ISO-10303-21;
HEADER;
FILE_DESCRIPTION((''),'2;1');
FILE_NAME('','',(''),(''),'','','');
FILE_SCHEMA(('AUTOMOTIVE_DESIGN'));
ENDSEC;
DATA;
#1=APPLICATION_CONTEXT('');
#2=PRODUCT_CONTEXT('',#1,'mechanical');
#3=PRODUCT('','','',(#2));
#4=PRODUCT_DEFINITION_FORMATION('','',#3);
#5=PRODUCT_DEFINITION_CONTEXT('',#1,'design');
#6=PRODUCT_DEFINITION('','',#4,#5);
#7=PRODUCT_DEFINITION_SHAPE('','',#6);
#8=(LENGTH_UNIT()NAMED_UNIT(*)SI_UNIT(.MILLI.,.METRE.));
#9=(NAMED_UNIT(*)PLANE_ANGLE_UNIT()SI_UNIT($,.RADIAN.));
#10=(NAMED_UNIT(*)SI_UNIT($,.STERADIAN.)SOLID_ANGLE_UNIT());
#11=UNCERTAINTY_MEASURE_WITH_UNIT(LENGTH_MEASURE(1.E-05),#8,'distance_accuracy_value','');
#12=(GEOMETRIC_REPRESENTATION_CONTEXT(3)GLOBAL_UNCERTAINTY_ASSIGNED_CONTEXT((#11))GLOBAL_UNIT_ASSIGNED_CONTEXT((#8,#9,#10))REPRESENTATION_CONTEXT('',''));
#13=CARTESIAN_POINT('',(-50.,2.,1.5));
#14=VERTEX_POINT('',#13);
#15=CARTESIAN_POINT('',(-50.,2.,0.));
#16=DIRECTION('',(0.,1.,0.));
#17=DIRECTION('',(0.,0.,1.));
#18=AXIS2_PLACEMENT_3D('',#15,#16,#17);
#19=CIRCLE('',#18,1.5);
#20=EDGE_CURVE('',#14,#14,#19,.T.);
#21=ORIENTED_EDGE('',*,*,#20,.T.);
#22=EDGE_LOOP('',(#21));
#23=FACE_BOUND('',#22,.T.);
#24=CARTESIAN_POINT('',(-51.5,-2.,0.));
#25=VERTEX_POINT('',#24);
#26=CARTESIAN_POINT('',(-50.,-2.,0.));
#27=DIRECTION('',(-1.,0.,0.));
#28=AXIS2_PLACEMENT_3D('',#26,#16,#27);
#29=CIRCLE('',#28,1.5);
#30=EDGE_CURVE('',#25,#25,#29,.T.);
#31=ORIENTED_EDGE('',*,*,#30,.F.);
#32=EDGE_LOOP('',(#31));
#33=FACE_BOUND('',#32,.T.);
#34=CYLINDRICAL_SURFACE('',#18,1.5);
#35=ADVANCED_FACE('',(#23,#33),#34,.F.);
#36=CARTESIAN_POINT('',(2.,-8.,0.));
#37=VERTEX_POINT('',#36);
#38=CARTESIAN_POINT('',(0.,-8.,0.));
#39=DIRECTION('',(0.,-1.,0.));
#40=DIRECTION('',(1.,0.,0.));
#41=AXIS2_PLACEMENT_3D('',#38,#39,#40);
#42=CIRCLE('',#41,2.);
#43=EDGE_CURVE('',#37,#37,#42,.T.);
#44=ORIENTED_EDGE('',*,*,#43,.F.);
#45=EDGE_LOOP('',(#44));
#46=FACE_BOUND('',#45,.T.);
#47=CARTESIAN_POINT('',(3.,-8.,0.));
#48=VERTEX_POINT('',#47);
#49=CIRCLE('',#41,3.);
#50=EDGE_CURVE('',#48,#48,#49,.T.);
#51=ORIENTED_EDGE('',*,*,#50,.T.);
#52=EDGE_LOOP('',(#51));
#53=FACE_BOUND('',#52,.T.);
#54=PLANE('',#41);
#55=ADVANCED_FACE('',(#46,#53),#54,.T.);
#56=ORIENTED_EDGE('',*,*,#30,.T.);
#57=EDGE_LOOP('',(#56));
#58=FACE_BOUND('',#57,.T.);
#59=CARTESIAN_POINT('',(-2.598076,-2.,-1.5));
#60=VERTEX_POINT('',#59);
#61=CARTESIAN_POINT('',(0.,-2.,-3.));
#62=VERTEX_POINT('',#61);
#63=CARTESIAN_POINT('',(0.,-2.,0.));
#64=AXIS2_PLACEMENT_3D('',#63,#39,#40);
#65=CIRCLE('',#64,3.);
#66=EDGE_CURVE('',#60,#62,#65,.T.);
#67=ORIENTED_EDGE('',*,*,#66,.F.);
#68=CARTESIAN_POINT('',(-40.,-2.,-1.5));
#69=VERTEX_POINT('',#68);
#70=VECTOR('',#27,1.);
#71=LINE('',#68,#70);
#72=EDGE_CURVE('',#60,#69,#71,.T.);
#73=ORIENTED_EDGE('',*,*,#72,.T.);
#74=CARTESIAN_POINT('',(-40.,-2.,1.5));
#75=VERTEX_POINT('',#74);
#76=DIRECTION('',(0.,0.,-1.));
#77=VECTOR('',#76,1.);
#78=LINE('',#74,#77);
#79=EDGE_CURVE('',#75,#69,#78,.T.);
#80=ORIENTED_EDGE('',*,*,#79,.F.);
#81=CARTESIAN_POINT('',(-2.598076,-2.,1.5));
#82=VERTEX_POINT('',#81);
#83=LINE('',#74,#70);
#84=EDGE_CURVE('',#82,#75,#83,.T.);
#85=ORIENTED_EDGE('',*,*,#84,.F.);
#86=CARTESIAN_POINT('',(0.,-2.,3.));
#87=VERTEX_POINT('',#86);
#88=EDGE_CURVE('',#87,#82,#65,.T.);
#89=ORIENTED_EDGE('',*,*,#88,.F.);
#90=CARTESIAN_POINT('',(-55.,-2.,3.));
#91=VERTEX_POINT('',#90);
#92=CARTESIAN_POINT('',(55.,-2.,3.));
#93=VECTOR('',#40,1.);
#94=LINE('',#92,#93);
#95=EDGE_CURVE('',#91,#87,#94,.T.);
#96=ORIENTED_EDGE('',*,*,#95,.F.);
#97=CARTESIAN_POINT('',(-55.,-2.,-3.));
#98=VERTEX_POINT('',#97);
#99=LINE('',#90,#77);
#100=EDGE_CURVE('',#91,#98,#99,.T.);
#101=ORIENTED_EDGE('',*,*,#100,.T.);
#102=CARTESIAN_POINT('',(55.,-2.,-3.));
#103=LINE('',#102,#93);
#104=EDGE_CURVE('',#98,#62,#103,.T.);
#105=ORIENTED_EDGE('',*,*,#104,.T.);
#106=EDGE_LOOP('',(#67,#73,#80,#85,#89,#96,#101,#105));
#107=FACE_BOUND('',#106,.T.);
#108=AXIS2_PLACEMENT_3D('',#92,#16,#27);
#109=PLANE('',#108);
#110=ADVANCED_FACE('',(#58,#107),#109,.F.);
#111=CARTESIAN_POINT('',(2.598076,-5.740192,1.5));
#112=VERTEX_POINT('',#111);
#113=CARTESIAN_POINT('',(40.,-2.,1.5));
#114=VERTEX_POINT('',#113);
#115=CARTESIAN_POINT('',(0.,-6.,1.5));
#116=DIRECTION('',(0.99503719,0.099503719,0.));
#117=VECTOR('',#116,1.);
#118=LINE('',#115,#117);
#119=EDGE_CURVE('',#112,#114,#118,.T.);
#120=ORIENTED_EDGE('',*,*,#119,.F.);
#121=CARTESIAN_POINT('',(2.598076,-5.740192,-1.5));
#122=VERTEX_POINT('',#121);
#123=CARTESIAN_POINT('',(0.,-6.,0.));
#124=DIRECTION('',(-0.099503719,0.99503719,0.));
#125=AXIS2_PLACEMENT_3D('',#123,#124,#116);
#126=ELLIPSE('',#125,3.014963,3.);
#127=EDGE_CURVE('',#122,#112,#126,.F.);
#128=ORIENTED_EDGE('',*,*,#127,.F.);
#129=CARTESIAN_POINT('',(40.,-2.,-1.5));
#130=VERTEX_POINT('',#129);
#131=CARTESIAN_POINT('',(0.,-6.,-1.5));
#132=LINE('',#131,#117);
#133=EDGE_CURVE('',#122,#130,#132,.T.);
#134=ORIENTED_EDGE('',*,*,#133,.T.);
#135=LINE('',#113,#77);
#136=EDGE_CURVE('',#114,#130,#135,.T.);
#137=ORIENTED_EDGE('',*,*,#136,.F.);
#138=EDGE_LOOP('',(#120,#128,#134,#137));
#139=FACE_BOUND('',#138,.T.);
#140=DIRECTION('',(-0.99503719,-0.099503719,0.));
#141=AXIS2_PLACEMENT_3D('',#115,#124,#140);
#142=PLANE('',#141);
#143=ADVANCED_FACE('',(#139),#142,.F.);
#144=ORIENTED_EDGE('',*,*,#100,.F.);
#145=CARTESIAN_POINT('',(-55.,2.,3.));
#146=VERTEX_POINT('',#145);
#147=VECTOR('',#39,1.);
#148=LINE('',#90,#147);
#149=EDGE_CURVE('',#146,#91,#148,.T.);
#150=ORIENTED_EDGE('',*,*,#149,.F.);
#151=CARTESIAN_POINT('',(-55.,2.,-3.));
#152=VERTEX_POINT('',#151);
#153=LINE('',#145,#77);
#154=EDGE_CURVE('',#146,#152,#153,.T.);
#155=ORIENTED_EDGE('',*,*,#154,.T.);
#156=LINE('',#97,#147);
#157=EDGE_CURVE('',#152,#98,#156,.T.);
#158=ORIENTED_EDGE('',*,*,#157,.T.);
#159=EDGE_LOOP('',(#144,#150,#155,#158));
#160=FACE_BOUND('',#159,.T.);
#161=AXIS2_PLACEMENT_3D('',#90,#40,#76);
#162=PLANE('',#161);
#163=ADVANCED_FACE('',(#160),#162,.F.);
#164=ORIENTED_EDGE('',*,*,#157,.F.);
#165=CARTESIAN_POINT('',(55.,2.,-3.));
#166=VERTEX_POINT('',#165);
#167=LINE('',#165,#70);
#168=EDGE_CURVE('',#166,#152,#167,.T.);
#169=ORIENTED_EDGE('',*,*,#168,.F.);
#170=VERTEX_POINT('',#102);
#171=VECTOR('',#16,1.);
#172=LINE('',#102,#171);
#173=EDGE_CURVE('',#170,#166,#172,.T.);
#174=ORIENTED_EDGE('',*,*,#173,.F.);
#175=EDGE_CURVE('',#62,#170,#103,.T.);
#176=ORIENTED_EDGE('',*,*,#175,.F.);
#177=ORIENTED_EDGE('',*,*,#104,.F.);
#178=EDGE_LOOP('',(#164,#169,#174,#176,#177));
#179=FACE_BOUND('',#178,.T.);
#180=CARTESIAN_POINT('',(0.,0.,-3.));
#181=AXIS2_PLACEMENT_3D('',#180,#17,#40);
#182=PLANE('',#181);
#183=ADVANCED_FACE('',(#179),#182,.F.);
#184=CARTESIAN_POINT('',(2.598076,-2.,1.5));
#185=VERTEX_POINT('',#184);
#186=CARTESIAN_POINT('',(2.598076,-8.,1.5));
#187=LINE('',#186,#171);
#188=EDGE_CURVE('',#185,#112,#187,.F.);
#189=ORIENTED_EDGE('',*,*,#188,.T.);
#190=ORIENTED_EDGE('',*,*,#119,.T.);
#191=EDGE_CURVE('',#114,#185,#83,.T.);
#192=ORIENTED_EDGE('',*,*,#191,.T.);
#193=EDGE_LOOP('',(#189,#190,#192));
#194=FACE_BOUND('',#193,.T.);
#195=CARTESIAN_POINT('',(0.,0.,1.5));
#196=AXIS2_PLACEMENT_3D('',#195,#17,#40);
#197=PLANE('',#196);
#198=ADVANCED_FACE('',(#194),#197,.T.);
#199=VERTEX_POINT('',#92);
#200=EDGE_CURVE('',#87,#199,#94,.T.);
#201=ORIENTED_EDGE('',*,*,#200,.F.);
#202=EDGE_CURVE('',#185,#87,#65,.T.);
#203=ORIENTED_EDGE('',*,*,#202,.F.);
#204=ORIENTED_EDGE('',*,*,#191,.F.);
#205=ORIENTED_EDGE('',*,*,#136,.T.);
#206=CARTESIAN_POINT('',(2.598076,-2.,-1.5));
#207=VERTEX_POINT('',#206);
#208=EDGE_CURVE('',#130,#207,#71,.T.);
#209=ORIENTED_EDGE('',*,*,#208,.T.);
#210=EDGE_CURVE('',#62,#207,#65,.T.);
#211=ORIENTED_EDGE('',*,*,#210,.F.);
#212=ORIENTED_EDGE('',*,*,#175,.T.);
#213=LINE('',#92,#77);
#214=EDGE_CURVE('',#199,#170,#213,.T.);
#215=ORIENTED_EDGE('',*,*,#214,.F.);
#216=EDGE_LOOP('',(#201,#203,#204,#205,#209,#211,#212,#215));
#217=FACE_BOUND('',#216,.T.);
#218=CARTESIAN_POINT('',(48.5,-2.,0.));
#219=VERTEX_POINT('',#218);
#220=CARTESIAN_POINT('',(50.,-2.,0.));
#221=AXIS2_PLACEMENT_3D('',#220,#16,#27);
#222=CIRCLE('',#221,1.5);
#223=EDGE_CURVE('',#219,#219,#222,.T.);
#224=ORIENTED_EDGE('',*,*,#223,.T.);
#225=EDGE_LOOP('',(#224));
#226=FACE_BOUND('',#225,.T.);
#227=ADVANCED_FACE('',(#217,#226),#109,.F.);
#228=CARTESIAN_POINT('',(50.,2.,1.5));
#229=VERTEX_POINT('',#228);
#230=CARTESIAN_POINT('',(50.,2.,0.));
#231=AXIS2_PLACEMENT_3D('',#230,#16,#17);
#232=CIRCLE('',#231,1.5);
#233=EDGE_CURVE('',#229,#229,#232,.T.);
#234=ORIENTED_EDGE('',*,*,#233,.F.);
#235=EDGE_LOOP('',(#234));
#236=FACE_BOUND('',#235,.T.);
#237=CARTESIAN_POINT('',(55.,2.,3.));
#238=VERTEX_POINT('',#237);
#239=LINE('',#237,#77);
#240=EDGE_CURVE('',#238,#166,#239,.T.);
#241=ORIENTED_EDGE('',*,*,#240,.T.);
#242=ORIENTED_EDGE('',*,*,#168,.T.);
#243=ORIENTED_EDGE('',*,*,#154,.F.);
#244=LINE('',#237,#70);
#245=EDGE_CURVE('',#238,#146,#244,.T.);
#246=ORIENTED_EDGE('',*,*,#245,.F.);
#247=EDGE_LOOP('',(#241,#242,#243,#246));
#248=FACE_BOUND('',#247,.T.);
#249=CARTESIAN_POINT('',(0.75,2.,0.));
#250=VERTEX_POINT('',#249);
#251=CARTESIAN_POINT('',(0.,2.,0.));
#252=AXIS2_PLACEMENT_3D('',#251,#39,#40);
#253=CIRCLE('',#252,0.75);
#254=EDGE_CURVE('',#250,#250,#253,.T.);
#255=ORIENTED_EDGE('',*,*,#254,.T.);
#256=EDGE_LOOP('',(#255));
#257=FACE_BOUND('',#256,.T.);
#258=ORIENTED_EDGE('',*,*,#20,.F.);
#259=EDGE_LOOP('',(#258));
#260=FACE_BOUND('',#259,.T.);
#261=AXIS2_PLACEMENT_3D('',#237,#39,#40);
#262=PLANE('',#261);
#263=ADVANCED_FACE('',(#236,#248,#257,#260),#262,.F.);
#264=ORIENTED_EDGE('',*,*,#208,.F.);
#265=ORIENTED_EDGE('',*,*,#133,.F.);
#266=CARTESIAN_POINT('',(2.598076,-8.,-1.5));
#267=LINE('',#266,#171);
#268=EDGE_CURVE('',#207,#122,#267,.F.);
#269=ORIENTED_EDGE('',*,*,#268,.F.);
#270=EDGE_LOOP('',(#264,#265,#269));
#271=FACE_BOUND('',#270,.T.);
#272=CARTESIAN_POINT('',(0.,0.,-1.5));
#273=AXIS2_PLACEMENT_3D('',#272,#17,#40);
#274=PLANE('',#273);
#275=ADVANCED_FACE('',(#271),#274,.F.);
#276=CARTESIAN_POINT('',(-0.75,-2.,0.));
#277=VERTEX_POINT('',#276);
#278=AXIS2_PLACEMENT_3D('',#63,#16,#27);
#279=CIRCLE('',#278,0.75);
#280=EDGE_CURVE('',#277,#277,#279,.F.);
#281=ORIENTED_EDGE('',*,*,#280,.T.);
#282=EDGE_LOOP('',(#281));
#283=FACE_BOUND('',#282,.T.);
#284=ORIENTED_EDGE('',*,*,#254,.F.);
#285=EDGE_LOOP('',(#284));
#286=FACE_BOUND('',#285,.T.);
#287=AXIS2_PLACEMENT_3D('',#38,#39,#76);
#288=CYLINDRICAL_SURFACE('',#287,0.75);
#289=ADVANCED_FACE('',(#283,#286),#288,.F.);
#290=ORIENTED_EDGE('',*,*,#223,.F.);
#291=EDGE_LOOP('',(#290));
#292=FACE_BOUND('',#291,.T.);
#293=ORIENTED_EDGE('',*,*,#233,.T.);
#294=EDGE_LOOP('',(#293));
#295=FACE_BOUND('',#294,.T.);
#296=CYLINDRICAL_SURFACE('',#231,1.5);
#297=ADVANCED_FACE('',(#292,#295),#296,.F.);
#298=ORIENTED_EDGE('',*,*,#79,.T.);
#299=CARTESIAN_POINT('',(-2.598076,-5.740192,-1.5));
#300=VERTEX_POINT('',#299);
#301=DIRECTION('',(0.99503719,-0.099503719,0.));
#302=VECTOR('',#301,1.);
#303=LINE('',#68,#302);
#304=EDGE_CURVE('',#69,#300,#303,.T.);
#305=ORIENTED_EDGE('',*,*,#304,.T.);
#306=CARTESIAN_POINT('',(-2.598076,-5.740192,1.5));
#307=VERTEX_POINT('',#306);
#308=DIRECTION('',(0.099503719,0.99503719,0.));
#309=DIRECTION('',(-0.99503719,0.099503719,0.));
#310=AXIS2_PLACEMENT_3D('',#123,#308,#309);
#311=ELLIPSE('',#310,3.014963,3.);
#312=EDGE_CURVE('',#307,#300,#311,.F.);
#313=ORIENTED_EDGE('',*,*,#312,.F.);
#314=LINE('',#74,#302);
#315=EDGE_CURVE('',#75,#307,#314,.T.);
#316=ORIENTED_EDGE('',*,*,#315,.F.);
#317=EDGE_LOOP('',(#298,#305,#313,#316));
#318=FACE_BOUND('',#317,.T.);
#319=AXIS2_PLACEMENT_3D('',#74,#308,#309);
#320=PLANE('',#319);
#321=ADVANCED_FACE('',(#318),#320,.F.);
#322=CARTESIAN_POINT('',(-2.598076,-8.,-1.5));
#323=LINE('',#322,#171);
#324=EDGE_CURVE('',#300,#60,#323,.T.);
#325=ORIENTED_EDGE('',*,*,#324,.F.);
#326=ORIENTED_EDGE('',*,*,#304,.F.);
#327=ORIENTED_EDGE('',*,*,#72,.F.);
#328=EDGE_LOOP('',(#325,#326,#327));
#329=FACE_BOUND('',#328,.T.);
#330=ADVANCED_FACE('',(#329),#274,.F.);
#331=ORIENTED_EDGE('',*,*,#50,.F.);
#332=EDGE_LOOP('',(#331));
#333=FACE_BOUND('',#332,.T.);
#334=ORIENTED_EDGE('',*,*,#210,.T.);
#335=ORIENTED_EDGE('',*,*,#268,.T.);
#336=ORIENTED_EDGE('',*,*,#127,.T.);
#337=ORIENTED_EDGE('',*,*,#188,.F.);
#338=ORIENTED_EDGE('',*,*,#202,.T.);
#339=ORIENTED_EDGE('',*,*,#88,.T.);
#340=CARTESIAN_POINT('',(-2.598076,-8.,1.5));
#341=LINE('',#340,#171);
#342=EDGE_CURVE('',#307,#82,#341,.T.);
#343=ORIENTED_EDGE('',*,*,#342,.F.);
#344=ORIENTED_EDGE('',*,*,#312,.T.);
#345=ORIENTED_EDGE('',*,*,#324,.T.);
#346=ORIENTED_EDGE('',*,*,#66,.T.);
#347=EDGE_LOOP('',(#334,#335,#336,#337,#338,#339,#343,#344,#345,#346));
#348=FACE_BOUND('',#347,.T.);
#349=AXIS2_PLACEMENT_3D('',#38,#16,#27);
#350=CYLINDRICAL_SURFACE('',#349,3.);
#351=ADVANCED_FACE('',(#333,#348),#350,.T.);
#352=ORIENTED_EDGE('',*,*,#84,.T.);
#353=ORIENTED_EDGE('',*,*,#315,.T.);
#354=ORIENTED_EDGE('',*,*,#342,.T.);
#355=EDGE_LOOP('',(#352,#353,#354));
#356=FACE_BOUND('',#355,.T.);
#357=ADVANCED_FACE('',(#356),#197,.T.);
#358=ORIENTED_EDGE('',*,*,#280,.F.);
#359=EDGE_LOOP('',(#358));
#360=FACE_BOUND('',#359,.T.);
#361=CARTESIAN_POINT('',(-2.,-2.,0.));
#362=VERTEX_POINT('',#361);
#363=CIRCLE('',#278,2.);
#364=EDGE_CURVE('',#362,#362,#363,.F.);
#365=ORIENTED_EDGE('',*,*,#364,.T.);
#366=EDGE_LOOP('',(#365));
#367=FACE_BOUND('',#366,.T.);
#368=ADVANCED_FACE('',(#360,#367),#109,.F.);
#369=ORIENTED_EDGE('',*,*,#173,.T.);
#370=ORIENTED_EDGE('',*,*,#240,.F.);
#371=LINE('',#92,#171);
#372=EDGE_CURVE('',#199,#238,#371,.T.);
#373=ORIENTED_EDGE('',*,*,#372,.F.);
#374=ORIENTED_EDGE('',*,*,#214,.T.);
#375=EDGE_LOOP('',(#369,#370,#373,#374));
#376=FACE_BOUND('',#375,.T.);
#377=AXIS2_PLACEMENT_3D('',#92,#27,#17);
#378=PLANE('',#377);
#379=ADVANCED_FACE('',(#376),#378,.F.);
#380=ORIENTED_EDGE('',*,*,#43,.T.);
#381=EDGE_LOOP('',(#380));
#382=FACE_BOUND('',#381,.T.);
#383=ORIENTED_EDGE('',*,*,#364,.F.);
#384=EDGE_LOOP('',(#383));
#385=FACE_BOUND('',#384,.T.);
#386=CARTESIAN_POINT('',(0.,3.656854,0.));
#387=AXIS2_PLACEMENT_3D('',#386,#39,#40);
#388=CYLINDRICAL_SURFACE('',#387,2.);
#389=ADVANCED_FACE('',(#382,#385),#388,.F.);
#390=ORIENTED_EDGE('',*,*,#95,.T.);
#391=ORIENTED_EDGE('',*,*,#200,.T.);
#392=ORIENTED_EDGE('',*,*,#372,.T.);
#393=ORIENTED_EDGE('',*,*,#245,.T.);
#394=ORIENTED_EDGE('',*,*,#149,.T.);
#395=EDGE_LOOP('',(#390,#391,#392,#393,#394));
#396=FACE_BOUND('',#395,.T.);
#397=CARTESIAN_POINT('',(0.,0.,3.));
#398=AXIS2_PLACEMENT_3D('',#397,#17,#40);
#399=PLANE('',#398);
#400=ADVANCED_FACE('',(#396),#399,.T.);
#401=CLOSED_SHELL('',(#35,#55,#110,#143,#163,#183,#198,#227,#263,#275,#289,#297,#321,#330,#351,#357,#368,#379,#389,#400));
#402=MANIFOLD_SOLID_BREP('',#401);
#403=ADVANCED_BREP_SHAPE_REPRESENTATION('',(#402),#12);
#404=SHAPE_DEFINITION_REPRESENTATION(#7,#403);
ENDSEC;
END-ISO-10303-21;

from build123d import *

# Parameters (mm, degrees)
SKETCH1_W                  = 110
SKETCH1_H                  = 4
BOSS_EXTRUDE1_DEPTH        = 3
BOSS_EXTRUDE2_DEPTH        = 1.5
F_3_0_3_DIAMETER_HOLE1_D   = 3
SKETCH5_R                  = 3
BOSS_EXTRUDE3_DEPTH        = 6
F_1_5_1_5_DIAMETER_HOLE1_D = 1.5
SKETCH8_R                  = 2
CUT_EXTRUDE1_DEPTH         = 6


with BuildPart() as part:
    # Sketch1 → Boss-Extrude1 (new, symmetric)
    with BuildSketch(Plane.XY):
        Rectangle(SKETCH1_W, SKETCH1_H)
    extrude(amount=BOSS_EXTRUDE1_DEPTH, both=True)

    # Sketch2 → Boss-Extrude2 (add, symmetric)
    with BuildSketch(Plane.XY):
        Polygon((-40, -2), (0, -6), (40, -2), align=None)
    extrude(amount=BOSS_EXTRUDE2_DEPTH, both=True)

    # Ø3.0 (3) Diameter Hole1 (through all)
    with Locations(Plane(origin=(0, 2, 0), x_dir=(1, 0, 0), z_dir=(0, 1, 0))):
        with Locations((-50, 0), (50, 0)):
            Hole(F_3_0_3_DIAMETER_HOLE1_D / 2)

    # Sketch5 → Boss-Extrude3 (add)
    with BuildSketch(Plane.XZ.offset(2)):
        with Locations(Location((0, 0, 0), (0, 0, 150))):
            Circle(SKETCH5_R)
    extrude(amount=BOSS_EXTRUDE3_DEPTH)

    # Ø1.5 (1.5) Diameter Hole1 (through all)
    with Locations(Plane(origin=(0, -8, 0), x_dir=(-1, 0, 0), z_dir=(0, -1, 0))):
        with Locations((0, 0)):
            Hole(F_1_5_1_5_DIAMETER_HOLE1_D / 2)

    # Sketch8 → Cut-Extrude1 (cut)
    with BuildSketch(Plane.XZ.offset(8)):
        Circle(SKETCH8_R)
    extrude(amount=-CUT_EXTRUDE1_DEPTH, mode=Mode.SUBTRACT)


solid = part.part
